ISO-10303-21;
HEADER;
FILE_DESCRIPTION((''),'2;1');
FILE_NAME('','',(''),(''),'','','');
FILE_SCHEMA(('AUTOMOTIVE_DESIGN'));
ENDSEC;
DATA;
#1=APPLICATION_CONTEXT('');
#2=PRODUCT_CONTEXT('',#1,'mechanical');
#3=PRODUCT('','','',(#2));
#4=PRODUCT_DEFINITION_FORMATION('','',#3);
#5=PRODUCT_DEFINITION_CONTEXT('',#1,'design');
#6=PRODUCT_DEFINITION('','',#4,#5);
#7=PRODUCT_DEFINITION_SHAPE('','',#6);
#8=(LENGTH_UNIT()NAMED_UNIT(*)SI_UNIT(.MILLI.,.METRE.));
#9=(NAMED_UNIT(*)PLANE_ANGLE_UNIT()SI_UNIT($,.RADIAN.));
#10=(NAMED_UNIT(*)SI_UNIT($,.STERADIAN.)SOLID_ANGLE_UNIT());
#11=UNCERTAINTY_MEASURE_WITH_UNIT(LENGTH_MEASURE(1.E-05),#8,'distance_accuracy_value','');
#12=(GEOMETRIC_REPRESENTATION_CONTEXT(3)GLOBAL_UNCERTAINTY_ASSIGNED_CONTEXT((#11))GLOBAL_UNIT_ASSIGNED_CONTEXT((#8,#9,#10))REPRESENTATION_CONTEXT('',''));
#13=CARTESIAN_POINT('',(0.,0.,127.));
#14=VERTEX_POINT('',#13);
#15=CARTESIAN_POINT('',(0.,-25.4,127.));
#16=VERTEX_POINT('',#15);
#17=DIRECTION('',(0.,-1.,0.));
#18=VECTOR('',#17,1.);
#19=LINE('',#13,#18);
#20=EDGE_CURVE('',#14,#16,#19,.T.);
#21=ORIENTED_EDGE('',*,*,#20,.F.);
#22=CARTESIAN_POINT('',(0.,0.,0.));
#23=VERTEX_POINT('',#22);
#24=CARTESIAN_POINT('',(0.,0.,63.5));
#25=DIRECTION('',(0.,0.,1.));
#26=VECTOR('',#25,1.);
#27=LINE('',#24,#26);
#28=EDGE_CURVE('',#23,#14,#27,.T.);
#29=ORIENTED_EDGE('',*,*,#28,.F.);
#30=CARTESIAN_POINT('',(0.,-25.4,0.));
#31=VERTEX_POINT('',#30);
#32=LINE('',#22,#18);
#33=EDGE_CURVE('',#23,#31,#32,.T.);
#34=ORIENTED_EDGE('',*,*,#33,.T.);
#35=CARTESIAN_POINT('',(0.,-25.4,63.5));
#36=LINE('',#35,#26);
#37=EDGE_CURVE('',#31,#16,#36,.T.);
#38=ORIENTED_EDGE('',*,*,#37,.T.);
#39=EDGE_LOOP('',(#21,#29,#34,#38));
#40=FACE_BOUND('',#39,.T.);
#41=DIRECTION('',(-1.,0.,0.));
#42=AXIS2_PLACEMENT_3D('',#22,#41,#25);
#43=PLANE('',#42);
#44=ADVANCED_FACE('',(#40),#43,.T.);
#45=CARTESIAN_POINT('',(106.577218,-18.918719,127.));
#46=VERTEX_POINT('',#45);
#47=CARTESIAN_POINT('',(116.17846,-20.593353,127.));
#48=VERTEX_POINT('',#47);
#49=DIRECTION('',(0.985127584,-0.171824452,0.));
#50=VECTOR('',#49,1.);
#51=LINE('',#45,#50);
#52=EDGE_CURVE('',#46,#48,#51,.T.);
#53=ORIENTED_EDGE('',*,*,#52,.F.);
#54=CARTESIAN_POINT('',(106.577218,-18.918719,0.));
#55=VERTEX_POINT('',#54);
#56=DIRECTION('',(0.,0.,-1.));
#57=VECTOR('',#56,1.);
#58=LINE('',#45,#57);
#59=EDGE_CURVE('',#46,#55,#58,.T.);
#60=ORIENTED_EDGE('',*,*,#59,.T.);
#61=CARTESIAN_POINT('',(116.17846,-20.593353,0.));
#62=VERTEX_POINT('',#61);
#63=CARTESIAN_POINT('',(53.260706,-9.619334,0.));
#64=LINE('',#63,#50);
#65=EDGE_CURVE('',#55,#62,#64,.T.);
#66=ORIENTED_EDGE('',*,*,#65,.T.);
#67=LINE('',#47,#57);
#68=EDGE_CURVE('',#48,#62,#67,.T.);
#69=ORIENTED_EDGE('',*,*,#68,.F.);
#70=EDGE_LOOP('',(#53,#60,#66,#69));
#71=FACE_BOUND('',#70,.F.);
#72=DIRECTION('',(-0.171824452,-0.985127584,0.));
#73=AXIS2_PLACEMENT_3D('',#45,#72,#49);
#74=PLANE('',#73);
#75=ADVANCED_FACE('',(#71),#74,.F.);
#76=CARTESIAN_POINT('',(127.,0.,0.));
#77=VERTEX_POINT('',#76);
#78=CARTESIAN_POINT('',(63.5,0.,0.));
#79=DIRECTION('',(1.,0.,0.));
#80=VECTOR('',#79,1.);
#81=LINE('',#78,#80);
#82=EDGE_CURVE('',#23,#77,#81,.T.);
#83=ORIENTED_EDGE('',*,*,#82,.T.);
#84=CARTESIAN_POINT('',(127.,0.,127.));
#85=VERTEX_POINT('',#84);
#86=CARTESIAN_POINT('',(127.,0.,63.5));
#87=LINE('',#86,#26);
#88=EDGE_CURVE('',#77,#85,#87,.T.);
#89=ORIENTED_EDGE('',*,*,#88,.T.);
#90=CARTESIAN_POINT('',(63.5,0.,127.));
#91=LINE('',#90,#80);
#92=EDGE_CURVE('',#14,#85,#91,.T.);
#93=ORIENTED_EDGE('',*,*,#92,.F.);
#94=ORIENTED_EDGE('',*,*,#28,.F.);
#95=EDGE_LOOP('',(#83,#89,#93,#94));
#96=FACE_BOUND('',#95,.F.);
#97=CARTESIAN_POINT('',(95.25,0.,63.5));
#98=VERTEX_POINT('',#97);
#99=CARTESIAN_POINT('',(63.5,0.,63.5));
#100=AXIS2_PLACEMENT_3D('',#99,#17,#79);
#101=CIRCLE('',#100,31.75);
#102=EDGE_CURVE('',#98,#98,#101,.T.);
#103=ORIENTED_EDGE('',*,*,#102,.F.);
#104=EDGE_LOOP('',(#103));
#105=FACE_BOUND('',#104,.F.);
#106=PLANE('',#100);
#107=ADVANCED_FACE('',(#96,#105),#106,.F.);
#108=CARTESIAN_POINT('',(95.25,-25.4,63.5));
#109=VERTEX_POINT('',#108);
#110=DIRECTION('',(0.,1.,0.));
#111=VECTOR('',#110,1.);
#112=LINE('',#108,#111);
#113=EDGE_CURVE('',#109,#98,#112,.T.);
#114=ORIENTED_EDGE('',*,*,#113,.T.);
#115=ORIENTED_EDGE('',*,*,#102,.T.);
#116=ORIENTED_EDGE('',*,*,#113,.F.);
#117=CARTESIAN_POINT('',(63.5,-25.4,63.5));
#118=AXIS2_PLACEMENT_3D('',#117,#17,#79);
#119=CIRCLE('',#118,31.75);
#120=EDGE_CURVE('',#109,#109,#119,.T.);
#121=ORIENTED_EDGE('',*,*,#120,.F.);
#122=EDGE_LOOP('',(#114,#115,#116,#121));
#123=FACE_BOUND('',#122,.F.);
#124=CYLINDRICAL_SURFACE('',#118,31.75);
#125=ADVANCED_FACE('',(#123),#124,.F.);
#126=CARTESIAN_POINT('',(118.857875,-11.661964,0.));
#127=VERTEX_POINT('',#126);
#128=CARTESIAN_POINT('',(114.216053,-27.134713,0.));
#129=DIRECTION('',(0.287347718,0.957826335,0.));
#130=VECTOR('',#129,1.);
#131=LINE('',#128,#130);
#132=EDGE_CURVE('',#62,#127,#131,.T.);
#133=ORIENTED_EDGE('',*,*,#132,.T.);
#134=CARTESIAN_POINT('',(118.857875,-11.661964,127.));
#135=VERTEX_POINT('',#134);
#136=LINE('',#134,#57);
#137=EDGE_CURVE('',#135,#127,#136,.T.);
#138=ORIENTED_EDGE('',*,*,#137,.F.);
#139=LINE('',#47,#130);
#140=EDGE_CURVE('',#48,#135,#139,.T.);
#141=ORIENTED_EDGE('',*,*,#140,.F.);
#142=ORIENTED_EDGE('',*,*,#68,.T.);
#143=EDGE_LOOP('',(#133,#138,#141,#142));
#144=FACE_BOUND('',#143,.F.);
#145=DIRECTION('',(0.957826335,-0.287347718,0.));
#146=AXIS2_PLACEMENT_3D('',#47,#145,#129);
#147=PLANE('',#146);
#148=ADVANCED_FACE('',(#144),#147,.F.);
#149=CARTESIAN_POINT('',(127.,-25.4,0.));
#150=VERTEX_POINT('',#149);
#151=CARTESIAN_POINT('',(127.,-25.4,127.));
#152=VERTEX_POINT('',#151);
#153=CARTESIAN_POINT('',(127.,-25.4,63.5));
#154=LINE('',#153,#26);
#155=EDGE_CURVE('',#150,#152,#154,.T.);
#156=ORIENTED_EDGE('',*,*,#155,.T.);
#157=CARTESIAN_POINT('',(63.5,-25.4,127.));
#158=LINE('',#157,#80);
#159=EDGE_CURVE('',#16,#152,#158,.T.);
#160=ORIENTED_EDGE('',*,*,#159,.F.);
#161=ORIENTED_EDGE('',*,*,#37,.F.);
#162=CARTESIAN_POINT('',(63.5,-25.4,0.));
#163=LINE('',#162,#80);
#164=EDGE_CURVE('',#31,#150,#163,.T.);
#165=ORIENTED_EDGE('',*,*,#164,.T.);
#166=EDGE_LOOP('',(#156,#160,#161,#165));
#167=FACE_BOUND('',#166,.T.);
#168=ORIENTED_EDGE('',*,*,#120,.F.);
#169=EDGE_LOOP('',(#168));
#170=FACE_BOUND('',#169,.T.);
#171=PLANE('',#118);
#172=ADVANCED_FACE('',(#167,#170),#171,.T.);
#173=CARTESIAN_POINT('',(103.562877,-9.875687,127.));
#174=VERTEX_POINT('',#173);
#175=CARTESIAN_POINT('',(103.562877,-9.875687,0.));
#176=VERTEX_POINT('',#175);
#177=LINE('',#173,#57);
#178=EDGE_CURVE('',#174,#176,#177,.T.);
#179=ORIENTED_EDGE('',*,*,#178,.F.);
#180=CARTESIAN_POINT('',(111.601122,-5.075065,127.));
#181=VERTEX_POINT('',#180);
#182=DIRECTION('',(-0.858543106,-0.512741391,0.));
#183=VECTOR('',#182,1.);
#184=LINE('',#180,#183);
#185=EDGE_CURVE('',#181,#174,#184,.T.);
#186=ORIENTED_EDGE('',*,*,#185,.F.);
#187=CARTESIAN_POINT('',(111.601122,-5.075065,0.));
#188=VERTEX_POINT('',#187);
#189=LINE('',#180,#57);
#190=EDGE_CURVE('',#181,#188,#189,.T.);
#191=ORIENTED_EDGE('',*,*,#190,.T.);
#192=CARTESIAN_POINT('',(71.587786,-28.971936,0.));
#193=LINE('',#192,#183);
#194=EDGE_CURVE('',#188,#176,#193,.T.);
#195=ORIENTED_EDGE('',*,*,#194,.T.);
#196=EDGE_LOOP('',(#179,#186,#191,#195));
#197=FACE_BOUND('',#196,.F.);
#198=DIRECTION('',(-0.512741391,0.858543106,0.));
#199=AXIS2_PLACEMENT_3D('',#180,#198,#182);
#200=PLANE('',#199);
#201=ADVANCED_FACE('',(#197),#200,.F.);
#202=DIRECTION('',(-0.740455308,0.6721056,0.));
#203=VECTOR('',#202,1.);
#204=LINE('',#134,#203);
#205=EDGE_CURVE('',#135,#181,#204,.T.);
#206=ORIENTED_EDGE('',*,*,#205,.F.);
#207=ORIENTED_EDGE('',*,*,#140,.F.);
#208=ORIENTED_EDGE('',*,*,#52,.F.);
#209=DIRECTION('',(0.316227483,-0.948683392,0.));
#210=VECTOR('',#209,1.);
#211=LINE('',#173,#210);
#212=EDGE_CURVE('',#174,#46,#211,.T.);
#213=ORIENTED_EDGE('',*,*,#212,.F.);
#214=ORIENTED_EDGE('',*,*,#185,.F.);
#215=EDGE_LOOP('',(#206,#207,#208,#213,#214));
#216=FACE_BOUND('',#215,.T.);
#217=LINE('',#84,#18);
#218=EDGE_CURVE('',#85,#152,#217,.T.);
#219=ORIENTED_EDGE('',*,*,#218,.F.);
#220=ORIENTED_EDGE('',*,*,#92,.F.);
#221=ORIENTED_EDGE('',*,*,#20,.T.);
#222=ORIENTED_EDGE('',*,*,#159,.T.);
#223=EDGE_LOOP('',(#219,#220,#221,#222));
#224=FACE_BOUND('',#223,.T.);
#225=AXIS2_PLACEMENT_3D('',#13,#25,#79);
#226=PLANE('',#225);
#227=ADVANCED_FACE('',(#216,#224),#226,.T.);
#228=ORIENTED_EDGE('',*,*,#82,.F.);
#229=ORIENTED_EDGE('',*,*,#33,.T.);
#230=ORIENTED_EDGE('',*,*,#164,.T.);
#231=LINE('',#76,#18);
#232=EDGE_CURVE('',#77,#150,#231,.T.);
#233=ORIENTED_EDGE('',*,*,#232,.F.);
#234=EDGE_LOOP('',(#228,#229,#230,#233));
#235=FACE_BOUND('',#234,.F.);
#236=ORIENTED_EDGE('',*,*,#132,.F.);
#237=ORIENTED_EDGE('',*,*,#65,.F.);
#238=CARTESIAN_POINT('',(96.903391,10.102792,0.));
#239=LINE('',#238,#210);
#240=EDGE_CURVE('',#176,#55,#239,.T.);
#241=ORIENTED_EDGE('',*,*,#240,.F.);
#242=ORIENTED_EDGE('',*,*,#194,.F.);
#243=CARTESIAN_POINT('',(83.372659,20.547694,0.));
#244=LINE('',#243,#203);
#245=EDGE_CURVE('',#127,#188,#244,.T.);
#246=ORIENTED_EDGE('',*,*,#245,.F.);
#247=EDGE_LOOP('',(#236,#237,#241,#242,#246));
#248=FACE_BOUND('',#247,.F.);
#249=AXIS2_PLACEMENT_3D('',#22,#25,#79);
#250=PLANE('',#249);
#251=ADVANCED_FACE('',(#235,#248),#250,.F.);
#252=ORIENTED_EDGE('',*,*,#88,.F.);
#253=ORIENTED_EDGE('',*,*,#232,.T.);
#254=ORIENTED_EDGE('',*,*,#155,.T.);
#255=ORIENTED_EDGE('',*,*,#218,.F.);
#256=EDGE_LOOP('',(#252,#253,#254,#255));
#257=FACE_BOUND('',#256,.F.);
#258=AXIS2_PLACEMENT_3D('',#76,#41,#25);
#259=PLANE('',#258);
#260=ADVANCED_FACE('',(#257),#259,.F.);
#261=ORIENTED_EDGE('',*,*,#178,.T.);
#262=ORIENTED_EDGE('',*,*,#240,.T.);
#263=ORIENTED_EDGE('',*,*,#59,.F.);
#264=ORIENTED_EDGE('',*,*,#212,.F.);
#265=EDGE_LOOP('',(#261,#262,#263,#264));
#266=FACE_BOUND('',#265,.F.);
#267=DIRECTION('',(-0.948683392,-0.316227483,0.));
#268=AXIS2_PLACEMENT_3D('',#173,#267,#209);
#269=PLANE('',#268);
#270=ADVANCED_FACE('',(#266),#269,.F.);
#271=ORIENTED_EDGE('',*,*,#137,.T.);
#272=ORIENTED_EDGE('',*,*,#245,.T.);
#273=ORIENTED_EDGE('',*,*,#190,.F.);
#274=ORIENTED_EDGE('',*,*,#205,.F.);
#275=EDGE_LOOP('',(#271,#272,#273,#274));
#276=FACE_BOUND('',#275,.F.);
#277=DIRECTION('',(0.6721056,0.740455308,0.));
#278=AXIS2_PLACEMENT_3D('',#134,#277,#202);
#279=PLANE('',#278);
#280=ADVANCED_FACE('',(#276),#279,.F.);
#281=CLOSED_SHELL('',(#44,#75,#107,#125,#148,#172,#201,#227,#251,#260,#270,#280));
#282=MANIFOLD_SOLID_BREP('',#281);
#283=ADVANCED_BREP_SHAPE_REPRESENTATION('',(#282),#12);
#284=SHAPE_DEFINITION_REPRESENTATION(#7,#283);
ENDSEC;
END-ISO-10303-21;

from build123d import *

# Parameters (mm, degrees)
F0_W     = 127
F0_H     = 127
F1_DEPTH = 25.4
F2_R     = 31.75
F3_DEPTH = 25.401
F5_DEPTH = 127.001


with BuildPart() as f1:
    # F0 (on Front) → F1 (new body)
    with BuildSketch(Plane.XZ):
        with Locations((63.5, 63.5)):
            Rectangle(F0_W, F0_H)
    extrude(amount=F1_DEPTH)

    # F2 (on face) → F3 (cut, through all)
    with BuildSketch(Plane.XZ.offset(25.4)):
        with Locations((63.5, 63.5)):
            Circle(F2_R)
    extrude(amount=-F3_DEPTH, mode=Mode.SUBTRACT)

    # F4 (on face) → F5 (cut, through all)
    with BuildSketch(Plane.XY.offset(127)):
        Polygon((111.601122, -5.075065), (103.562877, -9.875687), (106.577218, -18.918719), (116.17846, -20.593353), (118.857875, -11.661964), align=None)
    extrude(amount=-F5_DEPTH, mode=Mode.SUBTRACT)


solid = f1.part
